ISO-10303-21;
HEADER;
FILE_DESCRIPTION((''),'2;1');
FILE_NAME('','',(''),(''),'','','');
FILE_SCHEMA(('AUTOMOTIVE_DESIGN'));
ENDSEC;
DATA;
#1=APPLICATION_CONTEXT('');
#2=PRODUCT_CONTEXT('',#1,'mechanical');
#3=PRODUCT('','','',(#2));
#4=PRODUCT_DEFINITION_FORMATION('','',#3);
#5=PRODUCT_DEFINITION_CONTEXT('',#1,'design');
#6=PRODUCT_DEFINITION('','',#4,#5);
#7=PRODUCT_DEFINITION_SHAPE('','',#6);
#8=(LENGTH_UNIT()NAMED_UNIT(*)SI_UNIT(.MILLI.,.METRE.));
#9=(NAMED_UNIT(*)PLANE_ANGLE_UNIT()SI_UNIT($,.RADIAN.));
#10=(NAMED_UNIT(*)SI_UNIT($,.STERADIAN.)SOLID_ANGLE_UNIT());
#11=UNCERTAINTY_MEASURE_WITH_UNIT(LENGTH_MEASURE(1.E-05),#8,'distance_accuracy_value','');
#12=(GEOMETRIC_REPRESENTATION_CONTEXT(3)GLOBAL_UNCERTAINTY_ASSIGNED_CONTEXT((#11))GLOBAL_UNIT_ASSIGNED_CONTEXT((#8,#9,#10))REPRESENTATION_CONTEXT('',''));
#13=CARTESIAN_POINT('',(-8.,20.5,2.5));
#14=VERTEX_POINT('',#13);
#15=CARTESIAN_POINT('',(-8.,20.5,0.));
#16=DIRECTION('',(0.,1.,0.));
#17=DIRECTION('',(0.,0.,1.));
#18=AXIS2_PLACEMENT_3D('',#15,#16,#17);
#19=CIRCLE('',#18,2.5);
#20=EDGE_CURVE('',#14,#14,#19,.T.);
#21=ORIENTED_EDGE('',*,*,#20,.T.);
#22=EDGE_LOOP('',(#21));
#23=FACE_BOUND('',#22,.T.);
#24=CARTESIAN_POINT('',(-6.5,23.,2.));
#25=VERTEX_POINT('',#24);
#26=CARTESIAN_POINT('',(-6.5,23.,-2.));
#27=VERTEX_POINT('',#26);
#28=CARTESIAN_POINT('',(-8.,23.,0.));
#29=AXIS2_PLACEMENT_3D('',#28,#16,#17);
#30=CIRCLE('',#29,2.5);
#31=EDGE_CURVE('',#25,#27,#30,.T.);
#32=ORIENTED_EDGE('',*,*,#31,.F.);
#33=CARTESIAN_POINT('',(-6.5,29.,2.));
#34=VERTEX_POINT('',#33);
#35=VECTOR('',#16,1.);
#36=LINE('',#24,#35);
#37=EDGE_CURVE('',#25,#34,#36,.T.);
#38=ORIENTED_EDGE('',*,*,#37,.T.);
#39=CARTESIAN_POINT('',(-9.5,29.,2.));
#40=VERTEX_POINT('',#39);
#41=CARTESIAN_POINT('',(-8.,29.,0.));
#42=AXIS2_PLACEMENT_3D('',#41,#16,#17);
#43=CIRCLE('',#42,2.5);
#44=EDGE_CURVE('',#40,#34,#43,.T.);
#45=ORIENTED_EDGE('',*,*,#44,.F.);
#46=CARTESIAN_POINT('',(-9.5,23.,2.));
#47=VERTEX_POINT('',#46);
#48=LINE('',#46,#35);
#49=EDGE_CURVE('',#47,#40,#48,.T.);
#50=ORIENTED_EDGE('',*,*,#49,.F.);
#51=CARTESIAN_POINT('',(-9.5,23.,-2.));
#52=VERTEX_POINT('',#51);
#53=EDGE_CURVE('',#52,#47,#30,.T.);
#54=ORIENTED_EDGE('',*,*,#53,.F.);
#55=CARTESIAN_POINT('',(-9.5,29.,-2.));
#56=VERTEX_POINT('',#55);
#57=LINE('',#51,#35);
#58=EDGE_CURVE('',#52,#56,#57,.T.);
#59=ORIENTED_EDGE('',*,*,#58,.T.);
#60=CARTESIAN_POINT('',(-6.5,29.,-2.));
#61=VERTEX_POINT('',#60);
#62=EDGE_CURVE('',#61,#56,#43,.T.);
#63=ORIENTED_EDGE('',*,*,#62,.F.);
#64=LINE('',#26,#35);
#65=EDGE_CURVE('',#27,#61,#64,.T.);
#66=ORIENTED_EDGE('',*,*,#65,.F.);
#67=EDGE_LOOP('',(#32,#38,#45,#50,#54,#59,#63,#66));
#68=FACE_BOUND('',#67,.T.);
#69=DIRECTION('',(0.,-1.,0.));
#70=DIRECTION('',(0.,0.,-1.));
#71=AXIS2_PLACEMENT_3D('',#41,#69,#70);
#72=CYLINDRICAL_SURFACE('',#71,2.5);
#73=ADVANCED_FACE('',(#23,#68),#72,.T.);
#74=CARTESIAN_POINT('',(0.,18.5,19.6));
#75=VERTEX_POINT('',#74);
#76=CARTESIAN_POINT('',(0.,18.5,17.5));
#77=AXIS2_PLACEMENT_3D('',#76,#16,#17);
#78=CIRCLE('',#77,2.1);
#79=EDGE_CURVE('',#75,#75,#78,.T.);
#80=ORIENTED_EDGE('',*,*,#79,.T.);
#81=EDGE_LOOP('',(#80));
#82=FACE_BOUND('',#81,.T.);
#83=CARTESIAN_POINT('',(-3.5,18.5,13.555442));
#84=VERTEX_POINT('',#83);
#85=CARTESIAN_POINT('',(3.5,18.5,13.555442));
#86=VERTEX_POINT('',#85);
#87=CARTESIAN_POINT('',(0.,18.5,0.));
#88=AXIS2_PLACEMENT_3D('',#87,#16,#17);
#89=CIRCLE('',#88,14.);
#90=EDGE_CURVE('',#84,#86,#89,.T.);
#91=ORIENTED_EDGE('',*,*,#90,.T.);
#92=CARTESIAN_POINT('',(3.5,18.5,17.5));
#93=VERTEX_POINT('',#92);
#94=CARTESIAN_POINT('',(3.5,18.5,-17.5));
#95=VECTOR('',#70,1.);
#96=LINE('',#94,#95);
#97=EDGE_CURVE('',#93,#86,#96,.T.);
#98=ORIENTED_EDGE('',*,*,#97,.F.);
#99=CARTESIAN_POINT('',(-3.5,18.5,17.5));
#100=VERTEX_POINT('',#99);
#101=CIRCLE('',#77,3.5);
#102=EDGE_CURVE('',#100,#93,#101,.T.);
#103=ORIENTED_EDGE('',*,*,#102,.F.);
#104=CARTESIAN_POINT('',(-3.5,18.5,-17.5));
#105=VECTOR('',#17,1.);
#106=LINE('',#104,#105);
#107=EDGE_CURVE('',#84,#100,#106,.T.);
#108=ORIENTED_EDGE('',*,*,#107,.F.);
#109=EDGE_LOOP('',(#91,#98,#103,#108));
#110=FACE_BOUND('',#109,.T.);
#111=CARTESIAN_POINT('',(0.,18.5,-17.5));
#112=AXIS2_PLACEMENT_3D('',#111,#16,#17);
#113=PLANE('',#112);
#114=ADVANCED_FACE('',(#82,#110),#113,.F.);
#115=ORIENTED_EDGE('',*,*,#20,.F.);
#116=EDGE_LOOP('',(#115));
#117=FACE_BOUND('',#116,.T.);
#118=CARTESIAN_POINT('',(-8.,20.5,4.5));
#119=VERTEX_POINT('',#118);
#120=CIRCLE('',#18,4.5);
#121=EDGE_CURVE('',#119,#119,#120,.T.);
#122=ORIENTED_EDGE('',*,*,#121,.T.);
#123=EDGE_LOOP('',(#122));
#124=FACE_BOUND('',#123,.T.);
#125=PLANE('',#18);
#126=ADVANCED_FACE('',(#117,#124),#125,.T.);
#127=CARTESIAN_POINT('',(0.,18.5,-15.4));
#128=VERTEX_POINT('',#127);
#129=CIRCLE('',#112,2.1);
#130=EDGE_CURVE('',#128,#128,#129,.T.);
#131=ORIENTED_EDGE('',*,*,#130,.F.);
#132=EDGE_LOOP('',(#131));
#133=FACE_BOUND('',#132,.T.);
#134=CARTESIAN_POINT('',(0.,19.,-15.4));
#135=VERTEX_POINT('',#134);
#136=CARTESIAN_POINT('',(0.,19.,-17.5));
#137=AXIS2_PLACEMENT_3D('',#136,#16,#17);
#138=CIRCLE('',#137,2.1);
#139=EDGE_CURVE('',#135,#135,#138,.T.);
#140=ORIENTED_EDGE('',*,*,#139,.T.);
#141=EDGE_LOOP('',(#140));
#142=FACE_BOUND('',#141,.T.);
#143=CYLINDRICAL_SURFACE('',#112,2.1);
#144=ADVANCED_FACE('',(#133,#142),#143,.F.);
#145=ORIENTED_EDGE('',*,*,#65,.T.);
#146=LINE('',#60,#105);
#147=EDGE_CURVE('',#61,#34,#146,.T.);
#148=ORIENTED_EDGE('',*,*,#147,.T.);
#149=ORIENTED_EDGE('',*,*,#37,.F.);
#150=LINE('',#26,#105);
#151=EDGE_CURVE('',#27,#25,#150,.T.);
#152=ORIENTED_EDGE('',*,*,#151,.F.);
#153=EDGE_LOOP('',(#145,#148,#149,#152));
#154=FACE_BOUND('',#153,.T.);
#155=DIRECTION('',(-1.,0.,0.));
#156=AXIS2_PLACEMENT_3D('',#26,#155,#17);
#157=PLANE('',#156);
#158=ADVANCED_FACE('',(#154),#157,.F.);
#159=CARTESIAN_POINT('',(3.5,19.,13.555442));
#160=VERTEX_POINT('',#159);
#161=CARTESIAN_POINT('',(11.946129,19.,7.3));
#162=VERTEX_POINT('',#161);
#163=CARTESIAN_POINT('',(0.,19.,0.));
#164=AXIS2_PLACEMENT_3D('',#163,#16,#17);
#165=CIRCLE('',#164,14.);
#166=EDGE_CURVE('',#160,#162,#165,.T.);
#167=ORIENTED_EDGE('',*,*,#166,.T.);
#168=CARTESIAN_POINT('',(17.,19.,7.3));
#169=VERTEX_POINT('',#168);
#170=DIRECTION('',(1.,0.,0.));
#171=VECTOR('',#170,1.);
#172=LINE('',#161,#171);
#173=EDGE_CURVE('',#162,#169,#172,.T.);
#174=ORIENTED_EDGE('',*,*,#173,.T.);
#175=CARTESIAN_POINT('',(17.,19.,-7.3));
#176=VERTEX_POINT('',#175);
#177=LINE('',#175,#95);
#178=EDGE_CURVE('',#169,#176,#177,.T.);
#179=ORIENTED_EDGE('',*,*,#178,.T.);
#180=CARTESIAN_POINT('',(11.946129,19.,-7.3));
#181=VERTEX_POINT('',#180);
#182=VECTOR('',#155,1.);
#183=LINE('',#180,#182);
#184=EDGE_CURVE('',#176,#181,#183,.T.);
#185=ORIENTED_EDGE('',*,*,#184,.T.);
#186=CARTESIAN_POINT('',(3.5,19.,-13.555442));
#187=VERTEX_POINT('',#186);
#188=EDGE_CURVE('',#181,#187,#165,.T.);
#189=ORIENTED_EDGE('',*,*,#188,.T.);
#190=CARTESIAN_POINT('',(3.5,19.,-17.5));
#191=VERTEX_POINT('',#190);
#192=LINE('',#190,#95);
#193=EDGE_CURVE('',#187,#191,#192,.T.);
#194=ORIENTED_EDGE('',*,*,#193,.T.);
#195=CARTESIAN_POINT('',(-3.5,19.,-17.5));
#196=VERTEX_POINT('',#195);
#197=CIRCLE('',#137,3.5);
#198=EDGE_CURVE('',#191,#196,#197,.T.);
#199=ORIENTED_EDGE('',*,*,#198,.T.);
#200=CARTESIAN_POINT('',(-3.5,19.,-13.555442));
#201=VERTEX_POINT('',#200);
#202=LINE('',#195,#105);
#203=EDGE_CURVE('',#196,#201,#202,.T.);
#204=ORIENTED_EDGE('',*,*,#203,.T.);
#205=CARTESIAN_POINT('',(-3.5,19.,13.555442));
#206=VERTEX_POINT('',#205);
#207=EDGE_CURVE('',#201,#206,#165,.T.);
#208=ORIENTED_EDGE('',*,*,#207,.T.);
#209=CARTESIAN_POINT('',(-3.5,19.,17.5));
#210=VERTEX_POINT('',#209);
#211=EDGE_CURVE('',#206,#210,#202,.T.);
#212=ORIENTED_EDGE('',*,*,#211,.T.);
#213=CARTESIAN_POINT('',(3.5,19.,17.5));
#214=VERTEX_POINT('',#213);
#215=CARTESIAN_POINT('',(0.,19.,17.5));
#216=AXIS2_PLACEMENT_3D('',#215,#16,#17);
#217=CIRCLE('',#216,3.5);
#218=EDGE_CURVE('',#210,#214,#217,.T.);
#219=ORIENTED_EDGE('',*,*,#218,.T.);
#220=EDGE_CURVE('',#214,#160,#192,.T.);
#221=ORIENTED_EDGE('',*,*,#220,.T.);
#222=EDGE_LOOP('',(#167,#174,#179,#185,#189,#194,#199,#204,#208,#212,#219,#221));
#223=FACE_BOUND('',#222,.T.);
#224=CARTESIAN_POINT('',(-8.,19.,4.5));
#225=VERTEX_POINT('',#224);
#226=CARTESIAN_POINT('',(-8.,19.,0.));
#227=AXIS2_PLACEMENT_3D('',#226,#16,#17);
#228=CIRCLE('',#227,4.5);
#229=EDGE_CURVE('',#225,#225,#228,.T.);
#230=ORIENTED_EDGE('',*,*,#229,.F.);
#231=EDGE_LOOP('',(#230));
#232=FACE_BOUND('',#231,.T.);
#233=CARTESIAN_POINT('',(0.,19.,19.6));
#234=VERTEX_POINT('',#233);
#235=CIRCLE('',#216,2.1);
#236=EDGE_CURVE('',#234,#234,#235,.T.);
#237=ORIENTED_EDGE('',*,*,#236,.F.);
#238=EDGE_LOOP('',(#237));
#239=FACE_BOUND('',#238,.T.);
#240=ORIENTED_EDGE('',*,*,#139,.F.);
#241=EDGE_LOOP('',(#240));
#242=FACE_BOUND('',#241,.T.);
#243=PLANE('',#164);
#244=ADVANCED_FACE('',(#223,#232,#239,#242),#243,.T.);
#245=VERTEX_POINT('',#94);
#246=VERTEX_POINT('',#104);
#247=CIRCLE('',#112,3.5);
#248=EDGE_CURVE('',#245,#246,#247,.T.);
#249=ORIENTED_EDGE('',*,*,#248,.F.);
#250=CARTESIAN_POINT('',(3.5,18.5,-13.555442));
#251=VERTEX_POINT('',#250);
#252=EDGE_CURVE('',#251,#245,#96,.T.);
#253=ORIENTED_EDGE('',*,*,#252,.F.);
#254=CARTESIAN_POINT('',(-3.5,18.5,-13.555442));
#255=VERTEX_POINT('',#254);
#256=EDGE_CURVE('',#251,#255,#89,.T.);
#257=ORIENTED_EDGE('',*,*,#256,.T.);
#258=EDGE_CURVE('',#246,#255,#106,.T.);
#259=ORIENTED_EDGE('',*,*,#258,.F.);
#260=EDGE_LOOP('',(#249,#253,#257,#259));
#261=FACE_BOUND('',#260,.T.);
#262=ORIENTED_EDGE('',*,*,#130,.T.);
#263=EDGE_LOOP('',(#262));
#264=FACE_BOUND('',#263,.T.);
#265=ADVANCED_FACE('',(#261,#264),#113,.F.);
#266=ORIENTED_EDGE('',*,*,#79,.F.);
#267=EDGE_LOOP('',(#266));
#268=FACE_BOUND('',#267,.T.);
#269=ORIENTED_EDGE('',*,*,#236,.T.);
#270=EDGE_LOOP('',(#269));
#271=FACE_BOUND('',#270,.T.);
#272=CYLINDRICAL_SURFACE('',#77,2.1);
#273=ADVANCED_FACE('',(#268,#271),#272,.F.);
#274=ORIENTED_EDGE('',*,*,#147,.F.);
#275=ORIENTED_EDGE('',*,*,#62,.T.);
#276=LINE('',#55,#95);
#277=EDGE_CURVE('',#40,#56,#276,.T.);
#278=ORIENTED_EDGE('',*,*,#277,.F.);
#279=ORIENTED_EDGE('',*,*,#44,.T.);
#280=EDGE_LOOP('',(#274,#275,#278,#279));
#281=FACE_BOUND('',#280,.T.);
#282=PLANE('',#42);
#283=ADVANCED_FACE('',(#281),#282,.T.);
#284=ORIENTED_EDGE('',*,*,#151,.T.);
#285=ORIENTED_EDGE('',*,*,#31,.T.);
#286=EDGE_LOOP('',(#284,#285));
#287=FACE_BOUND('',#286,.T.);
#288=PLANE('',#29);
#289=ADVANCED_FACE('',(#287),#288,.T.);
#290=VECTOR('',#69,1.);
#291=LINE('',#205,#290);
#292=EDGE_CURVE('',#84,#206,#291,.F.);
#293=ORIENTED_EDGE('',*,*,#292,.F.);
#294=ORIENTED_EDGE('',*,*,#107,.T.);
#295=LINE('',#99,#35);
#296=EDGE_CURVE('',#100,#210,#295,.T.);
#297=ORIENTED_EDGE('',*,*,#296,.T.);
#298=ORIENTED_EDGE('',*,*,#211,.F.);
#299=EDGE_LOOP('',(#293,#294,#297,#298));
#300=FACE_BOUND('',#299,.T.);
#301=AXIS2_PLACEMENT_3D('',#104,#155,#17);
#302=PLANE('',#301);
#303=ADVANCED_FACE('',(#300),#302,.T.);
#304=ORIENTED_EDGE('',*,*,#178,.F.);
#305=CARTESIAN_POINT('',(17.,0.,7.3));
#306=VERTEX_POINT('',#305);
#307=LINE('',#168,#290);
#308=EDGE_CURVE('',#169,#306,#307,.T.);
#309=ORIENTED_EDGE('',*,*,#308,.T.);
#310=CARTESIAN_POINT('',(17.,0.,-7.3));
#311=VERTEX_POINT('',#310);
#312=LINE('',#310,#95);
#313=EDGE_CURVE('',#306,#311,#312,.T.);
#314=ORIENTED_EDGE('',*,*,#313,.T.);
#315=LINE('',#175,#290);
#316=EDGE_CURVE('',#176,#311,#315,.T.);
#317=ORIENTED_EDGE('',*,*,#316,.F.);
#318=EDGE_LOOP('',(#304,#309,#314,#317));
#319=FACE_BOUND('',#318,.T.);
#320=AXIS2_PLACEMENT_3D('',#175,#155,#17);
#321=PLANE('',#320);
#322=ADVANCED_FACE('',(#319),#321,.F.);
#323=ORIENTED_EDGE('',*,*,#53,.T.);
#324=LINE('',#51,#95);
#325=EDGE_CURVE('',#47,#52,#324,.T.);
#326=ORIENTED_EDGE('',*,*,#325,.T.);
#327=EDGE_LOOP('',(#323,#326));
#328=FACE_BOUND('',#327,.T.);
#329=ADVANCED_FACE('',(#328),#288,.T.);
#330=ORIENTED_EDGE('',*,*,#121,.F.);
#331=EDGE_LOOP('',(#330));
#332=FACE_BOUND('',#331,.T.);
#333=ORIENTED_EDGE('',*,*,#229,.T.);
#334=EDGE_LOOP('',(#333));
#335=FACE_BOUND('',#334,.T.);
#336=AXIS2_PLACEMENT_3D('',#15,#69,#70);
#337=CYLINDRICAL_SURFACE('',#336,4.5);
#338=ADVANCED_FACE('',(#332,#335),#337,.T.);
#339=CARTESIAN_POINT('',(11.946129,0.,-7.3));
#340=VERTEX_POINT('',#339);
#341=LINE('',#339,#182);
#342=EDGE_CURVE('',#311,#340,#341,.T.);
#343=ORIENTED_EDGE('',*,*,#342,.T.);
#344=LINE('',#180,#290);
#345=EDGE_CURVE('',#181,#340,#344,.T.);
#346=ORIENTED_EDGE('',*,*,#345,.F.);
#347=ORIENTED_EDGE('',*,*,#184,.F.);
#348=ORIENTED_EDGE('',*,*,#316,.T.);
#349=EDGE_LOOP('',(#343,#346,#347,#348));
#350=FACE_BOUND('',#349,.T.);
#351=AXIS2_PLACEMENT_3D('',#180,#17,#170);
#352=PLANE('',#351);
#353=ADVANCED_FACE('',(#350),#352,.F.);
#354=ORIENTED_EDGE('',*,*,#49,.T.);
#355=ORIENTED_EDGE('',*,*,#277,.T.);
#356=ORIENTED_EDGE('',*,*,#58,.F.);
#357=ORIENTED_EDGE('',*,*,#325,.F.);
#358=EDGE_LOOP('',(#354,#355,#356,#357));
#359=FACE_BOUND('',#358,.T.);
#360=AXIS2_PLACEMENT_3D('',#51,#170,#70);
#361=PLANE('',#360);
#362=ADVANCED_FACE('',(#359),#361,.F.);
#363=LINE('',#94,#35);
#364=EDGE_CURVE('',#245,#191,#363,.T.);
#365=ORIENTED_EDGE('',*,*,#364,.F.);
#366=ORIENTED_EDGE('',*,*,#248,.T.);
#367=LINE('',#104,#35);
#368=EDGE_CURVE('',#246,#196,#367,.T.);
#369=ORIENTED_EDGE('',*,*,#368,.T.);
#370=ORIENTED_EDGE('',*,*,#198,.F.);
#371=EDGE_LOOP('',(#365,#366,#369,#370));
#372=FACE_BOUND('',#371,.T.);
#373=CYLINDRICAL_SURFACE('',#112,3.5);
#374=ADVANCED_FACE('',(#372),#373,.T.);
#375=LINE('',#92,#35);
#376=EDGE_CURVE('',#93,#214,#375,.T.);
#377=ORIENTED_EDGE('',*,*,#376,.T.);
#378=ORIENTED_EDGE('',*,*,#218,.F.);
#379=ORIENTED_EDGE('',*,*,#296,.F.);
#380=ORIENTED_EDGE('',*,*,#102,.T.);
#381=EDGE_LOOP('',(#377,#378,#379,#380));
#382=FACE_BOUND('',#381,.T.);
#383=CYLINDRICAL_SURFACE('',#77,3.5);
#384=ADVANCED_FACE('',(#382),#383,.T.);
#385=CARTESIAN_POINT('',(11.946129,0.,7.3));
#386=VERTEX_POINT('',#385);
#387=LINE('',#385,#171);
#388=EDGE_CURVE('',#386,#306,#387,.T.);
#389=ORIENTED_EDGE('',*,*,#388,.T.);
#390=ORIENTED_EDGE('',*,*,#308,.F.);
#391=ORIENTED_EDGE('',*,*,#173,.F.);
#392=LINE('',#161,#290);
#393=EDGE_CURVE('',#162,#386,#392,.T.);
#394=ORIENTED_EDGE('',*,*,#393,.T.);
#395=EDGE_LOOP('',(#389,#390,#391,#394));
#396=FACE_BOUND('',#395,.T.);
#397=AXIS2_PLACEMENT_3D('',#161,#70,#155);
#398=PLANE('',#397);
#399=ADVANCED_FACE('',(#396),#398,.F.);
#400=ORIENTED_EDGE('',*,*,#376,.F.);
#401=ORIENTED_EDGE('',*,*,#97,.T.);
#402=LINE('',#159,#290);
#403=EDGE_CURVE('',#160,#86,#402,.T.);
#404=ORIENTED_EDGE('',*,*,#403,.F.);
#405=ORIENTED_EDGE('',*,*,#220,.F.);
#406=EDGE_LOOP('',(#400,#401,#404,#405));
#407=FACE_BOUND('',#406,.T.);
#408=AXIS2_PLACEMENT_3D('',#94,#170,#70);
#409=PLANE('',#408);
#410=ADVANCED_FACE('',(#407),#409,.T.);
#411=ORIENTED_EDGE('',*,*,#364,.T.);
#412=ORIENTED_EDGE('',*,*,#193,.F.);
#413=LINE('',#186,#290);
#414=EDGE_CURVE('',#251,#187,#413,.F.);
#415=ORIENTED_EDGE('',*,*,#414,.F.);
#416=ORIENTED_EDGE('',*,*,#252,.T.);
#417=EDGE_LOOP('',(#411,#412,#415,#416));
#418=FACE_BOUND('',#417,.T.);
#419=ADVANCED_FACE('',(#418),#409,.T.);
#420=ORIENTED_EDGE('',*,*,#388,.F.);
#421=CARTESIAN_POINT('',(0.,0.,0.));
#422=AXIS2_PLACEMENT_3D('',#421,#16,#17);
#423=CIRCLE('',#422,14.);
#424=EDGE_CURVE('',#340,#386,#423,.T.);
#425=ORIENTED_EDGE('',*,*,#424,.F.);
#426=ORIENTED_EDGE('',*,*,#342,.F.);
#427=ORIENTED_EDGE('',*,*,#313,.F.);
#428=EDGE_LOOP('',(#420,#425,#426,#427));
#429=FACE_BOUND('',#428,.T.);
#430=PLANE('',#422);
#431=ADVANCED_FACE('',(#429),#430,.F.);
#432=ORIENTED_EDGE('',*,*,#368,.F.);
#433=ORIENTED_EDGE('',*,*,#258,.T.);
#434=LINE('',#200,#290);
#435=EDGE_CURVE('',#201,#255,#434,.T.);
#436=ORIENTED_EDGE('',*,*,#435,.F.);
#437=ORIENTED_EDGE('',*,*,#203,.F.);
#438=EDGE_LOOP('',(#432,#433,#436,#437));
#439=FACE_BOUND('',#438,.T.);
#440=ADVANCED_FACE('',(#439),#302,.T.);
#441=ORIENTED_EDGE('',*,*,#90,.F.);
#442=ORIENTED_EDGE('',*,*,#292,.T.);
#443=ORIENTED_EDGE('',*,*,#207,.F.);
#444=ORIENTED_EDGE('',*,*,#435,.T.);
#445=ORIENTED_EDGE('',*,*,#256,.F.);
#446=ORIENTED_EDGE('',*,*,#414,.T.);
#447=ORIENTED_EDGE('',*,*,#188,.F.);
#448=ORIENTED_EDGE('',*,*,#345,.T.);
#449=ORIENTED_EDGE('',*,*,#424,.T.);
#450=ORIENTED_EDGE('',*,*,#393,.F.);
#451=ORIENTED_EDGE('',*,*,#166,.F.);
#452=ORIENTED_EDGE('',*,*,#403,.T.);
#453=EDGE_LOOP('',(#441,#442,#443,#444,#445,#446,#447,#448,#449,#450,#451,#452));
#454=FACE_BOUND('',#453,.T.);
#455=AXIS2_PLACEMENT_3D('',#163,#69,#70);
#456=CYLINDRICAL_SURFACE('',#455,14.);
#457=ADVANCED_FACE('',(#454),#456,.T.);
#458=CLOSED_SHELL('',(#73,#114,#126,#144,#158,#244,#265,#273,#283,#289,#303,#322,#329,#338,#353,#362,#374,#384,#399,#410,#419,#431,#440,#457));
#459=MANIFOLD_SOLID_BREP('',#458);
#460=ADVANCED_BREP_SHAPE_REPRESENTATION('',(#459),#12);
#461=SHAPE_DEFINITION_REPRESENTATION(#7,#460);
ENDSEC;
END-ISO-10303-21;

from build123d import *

# Parameters (mm, degrees)
BOSS_EXTRUDE1_DEPTH = 19
SKETCH3_R           = 2.1
BOSS_EXTRUDE2_DEPTH = 0.5
SKETCH4_R           = 4.5
BOSS_EXTRUDE3_DEPTH = 1.5
SKETCH5_R           = 2.5
BOSS_EXTRUDE4_DEPTH = 8.5
CUT_EXTRUDE1_START  = -6
CUT_EXTRUDE1_DEPTH  = 6


with BuildPart() as part:
    # Sketch1 → Boss-Extrude1 (new body)
    with BuildSketch(Plane(origin=(0, 0, 0), x_dir=(1, 0, 0), z_dir=(0, 1, 0))):
        with BuildLine():
            Line((11.94612908, 7.3), (17, 7.3))
            Line((17, 7.3), (17, -7.3))
            Line((17, -7.3), (11.94612908, -7.3))
            ThreePointArc((11.94612908, -7.3), (-14, 0), (11.94612908, 7.3))
        make_face()
    extrude(amount=BOSS_EXTRUDE1_DEPTH)

    # Sketch3 → Boss-Extrude2 (add)
    with BuildSketch(Plane(origin=(0, 19, 0), x_dir=(1, 0, 0), z_dir=(0, 1, 0))):
        with BuildLine():
            Line((3.5, 17.5), (3.5, -17.5))
            ThreePointArc((3.5, -17.5), (0, -21), (-3.5, -17.5))
            Line((-3.5, -17.5), (-3.5, 17.5))
            ThreePointArc((-3.5, 17.5), (0, 21), (3.5, 17.5))
        make_face()
        with Locations(Location((0, -17.5, 0), (0, 0, 270))):
            Circle(SKETCH3_R, mode=Mode.SUBTRACT)
        with Locations(Location((0, 17.5, 0), (0, 0, 270))):
            Circle(SKETCH3_R, mode=Mode.SUBTRACT)
    extrude(amount=-BOSS_EXTRUDE2_DEPTH)

    # Sketch4 → Boss-Extrude3 (add)
    with BuildSketch(Plane(origin=(0, 19, 0), x_dir=(1, 0, 0), z_dir=(0, 1, 0))):
        with Locations(Location((-8, 0, 0), (0, 0, 270))):
            Circle(SKETCH4_R)
    extrude(amount=BOSS_EXTRUDE3_DEPTH)

    # Sketch5 → Boss-Extrude4 (add)
    with BuildSketch(Plane(origin=(0, 20.5, 0), x_dir=(1, 0, 0), z_dir=(0, 1, 0))):
        with Locations(Location((-8, 0, 0), (0, 0, 270))):
            Circle(SKETCH5_R)
    extrude(amount=BOSS_EXTRUDE4_DEPTH)

    # Sketch6 → Cut-Extrude1 (cut)
    with BuildSketch(Plane(origin=(0, 29, 0), x_dir=(1, 0, 0), z_dir=(0, 1, 0)).offset(CUT_EXTRUDE1_START)):
        with BuildLine():
            Line((-9.5, 2), (-9.5, -2))
            ThreePointArc((-9.5, -2), (-10.5, 0), (-9.5, 2))
        make_face()
        with BuildLine():
            Line((-6.5, 2), (-6.5, -2))
            ThreePointArc((-6.5, -2), (-5.5, 0), (-6.5, 2))
        make_face()
    extrude(amount=CUT_EXTRUDE1_DEPTH, mode=Mode.SUBTRACT)


solid = part.part
